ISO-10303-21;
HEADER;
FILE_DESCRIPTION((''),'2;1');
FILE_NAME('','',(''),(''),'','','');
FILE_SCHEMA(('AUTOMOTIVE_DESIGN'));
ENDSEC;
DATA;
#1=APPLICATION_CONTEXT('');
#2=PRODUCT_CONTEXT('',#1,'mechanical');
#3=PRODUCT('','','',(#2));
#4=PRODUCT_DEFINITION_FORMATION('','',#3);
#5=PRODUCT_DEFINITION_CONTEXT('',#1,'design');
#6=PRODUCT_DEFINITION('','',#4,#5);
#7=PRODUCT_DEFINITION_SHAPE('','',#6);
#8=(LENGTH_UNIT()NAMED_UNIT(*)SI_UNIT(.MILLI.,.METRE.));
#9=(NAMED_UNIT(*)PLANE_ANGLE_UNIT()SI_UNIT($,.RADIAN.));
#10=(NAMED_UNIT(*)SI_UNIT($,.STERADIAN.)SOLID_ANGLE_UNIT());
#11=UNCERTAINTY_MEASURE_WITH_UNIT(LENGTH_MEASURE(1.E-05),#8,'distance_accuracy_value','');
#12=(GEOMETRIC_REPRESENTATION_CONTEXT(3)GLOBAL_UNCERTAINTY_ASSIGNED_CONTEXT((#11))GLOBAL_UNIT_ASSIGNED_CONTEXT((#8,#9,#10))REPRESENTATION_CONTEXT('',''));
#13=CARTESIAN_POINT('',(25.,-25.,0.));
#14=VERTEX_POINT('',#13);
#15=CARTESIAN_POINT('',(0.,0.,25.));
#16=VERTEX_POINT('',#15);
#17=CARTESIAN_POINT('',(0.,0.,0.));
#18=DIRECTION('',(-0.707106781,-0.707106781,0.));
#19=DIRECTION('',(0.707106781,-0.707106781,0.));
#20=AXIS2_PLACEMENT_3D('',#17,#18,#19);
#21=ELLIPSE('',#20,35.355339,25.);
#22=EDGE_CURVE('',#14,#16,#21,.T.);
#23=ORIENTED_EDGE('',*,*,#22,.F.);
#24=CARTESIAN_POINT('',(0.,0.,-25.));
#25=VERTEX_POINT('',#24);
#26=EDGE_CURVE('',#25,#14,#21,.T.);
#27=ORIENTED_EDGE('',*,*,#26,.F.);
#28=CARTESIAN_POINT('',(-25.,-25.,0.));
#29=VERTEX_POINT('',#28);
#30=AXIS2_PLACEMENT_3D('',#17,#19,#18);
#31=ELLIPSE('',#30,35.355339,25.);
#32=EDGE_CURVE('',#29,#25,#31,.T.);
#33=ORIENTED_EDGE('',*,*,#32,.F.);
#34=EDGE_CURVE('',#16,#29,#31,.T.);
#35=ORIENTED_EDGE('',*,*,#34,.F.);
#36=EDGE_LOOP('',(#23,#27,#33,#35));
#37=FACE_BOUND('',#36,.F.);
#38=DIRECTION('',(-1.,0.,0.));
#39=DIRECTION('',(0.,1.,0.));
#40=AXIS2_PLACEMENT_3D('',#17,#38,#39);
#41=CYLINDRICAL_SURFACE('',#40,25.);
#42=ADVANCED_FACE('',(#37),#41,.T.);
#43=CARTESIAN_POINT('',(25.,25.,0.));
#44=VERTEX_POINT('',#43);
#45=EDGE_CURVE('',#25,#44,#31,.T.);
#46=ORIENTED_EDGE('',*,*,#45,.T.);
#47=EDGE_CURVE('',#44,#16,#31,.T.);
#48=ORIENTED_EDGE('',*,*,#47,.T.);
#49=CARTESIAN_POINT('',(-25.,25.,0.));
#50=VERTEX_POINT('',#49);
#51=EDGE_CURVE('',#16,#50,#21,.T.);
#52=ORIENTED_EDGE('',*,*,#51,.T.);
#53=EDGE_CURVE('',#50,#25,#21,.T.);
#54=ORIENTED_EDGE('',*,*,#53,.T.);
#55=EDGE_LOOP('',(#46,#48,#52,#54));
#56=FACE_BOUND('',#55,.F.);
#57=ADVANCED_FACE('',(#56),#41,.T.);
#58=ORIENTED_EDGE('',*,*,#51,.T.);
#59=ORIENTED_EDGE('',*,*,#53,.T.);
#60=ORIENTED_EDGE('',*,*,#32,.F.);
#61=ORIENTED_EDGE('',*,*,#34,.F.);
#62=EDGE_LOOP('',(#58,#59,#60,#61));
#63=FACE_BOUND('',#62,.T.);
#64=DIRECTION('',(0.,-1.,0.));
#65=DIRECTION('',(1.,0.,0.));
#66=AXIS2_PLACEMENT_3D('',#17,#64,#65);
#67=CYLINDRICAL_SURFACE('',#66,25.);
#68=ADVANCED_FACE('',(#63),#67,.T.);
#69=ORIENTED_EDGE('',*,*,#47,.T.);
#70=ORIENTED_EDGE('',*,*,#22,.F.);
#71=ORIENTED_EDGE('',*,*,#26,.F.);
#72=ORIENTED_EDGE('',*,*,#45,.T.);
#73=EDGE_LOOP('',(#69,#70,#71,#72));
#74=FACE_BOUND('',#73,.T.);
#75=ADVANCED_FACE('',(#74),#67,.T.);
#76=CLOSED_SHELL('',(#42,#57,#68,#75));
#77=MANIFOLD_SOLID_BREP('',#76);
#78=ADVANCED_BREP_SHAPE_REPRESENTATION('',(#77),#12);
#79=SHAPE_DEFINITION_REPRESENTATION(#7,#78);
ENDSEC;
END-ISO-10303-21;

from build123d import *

# Parameters (mm, degrees)
F0_R     = 25
F1_DEPTH = 50
F2_W     = 150
F2_H     = 150
F2_R     = 25
F3_DEPTH = 50


with BuildPart() as f1:
    # F0 (on Front) → F1 (new body, symmetric)
    with BuildSketch(Plane.XZ):
        Circle(F0_R)
    extrude(amount=F1_DEPTH, both=True)

    # F2 (on Right) → F3 (cut, symmetric)
    with BuildSketch(Plane.YZ):
        Rectangle(F2_W, F2_H)
        Circle(F2_R, mode=Mode.SUBTRACT)
    extrude(amount=F3_DEPTH, both=True, mode=Mode.SUBTRACT)


solid = f1.part
